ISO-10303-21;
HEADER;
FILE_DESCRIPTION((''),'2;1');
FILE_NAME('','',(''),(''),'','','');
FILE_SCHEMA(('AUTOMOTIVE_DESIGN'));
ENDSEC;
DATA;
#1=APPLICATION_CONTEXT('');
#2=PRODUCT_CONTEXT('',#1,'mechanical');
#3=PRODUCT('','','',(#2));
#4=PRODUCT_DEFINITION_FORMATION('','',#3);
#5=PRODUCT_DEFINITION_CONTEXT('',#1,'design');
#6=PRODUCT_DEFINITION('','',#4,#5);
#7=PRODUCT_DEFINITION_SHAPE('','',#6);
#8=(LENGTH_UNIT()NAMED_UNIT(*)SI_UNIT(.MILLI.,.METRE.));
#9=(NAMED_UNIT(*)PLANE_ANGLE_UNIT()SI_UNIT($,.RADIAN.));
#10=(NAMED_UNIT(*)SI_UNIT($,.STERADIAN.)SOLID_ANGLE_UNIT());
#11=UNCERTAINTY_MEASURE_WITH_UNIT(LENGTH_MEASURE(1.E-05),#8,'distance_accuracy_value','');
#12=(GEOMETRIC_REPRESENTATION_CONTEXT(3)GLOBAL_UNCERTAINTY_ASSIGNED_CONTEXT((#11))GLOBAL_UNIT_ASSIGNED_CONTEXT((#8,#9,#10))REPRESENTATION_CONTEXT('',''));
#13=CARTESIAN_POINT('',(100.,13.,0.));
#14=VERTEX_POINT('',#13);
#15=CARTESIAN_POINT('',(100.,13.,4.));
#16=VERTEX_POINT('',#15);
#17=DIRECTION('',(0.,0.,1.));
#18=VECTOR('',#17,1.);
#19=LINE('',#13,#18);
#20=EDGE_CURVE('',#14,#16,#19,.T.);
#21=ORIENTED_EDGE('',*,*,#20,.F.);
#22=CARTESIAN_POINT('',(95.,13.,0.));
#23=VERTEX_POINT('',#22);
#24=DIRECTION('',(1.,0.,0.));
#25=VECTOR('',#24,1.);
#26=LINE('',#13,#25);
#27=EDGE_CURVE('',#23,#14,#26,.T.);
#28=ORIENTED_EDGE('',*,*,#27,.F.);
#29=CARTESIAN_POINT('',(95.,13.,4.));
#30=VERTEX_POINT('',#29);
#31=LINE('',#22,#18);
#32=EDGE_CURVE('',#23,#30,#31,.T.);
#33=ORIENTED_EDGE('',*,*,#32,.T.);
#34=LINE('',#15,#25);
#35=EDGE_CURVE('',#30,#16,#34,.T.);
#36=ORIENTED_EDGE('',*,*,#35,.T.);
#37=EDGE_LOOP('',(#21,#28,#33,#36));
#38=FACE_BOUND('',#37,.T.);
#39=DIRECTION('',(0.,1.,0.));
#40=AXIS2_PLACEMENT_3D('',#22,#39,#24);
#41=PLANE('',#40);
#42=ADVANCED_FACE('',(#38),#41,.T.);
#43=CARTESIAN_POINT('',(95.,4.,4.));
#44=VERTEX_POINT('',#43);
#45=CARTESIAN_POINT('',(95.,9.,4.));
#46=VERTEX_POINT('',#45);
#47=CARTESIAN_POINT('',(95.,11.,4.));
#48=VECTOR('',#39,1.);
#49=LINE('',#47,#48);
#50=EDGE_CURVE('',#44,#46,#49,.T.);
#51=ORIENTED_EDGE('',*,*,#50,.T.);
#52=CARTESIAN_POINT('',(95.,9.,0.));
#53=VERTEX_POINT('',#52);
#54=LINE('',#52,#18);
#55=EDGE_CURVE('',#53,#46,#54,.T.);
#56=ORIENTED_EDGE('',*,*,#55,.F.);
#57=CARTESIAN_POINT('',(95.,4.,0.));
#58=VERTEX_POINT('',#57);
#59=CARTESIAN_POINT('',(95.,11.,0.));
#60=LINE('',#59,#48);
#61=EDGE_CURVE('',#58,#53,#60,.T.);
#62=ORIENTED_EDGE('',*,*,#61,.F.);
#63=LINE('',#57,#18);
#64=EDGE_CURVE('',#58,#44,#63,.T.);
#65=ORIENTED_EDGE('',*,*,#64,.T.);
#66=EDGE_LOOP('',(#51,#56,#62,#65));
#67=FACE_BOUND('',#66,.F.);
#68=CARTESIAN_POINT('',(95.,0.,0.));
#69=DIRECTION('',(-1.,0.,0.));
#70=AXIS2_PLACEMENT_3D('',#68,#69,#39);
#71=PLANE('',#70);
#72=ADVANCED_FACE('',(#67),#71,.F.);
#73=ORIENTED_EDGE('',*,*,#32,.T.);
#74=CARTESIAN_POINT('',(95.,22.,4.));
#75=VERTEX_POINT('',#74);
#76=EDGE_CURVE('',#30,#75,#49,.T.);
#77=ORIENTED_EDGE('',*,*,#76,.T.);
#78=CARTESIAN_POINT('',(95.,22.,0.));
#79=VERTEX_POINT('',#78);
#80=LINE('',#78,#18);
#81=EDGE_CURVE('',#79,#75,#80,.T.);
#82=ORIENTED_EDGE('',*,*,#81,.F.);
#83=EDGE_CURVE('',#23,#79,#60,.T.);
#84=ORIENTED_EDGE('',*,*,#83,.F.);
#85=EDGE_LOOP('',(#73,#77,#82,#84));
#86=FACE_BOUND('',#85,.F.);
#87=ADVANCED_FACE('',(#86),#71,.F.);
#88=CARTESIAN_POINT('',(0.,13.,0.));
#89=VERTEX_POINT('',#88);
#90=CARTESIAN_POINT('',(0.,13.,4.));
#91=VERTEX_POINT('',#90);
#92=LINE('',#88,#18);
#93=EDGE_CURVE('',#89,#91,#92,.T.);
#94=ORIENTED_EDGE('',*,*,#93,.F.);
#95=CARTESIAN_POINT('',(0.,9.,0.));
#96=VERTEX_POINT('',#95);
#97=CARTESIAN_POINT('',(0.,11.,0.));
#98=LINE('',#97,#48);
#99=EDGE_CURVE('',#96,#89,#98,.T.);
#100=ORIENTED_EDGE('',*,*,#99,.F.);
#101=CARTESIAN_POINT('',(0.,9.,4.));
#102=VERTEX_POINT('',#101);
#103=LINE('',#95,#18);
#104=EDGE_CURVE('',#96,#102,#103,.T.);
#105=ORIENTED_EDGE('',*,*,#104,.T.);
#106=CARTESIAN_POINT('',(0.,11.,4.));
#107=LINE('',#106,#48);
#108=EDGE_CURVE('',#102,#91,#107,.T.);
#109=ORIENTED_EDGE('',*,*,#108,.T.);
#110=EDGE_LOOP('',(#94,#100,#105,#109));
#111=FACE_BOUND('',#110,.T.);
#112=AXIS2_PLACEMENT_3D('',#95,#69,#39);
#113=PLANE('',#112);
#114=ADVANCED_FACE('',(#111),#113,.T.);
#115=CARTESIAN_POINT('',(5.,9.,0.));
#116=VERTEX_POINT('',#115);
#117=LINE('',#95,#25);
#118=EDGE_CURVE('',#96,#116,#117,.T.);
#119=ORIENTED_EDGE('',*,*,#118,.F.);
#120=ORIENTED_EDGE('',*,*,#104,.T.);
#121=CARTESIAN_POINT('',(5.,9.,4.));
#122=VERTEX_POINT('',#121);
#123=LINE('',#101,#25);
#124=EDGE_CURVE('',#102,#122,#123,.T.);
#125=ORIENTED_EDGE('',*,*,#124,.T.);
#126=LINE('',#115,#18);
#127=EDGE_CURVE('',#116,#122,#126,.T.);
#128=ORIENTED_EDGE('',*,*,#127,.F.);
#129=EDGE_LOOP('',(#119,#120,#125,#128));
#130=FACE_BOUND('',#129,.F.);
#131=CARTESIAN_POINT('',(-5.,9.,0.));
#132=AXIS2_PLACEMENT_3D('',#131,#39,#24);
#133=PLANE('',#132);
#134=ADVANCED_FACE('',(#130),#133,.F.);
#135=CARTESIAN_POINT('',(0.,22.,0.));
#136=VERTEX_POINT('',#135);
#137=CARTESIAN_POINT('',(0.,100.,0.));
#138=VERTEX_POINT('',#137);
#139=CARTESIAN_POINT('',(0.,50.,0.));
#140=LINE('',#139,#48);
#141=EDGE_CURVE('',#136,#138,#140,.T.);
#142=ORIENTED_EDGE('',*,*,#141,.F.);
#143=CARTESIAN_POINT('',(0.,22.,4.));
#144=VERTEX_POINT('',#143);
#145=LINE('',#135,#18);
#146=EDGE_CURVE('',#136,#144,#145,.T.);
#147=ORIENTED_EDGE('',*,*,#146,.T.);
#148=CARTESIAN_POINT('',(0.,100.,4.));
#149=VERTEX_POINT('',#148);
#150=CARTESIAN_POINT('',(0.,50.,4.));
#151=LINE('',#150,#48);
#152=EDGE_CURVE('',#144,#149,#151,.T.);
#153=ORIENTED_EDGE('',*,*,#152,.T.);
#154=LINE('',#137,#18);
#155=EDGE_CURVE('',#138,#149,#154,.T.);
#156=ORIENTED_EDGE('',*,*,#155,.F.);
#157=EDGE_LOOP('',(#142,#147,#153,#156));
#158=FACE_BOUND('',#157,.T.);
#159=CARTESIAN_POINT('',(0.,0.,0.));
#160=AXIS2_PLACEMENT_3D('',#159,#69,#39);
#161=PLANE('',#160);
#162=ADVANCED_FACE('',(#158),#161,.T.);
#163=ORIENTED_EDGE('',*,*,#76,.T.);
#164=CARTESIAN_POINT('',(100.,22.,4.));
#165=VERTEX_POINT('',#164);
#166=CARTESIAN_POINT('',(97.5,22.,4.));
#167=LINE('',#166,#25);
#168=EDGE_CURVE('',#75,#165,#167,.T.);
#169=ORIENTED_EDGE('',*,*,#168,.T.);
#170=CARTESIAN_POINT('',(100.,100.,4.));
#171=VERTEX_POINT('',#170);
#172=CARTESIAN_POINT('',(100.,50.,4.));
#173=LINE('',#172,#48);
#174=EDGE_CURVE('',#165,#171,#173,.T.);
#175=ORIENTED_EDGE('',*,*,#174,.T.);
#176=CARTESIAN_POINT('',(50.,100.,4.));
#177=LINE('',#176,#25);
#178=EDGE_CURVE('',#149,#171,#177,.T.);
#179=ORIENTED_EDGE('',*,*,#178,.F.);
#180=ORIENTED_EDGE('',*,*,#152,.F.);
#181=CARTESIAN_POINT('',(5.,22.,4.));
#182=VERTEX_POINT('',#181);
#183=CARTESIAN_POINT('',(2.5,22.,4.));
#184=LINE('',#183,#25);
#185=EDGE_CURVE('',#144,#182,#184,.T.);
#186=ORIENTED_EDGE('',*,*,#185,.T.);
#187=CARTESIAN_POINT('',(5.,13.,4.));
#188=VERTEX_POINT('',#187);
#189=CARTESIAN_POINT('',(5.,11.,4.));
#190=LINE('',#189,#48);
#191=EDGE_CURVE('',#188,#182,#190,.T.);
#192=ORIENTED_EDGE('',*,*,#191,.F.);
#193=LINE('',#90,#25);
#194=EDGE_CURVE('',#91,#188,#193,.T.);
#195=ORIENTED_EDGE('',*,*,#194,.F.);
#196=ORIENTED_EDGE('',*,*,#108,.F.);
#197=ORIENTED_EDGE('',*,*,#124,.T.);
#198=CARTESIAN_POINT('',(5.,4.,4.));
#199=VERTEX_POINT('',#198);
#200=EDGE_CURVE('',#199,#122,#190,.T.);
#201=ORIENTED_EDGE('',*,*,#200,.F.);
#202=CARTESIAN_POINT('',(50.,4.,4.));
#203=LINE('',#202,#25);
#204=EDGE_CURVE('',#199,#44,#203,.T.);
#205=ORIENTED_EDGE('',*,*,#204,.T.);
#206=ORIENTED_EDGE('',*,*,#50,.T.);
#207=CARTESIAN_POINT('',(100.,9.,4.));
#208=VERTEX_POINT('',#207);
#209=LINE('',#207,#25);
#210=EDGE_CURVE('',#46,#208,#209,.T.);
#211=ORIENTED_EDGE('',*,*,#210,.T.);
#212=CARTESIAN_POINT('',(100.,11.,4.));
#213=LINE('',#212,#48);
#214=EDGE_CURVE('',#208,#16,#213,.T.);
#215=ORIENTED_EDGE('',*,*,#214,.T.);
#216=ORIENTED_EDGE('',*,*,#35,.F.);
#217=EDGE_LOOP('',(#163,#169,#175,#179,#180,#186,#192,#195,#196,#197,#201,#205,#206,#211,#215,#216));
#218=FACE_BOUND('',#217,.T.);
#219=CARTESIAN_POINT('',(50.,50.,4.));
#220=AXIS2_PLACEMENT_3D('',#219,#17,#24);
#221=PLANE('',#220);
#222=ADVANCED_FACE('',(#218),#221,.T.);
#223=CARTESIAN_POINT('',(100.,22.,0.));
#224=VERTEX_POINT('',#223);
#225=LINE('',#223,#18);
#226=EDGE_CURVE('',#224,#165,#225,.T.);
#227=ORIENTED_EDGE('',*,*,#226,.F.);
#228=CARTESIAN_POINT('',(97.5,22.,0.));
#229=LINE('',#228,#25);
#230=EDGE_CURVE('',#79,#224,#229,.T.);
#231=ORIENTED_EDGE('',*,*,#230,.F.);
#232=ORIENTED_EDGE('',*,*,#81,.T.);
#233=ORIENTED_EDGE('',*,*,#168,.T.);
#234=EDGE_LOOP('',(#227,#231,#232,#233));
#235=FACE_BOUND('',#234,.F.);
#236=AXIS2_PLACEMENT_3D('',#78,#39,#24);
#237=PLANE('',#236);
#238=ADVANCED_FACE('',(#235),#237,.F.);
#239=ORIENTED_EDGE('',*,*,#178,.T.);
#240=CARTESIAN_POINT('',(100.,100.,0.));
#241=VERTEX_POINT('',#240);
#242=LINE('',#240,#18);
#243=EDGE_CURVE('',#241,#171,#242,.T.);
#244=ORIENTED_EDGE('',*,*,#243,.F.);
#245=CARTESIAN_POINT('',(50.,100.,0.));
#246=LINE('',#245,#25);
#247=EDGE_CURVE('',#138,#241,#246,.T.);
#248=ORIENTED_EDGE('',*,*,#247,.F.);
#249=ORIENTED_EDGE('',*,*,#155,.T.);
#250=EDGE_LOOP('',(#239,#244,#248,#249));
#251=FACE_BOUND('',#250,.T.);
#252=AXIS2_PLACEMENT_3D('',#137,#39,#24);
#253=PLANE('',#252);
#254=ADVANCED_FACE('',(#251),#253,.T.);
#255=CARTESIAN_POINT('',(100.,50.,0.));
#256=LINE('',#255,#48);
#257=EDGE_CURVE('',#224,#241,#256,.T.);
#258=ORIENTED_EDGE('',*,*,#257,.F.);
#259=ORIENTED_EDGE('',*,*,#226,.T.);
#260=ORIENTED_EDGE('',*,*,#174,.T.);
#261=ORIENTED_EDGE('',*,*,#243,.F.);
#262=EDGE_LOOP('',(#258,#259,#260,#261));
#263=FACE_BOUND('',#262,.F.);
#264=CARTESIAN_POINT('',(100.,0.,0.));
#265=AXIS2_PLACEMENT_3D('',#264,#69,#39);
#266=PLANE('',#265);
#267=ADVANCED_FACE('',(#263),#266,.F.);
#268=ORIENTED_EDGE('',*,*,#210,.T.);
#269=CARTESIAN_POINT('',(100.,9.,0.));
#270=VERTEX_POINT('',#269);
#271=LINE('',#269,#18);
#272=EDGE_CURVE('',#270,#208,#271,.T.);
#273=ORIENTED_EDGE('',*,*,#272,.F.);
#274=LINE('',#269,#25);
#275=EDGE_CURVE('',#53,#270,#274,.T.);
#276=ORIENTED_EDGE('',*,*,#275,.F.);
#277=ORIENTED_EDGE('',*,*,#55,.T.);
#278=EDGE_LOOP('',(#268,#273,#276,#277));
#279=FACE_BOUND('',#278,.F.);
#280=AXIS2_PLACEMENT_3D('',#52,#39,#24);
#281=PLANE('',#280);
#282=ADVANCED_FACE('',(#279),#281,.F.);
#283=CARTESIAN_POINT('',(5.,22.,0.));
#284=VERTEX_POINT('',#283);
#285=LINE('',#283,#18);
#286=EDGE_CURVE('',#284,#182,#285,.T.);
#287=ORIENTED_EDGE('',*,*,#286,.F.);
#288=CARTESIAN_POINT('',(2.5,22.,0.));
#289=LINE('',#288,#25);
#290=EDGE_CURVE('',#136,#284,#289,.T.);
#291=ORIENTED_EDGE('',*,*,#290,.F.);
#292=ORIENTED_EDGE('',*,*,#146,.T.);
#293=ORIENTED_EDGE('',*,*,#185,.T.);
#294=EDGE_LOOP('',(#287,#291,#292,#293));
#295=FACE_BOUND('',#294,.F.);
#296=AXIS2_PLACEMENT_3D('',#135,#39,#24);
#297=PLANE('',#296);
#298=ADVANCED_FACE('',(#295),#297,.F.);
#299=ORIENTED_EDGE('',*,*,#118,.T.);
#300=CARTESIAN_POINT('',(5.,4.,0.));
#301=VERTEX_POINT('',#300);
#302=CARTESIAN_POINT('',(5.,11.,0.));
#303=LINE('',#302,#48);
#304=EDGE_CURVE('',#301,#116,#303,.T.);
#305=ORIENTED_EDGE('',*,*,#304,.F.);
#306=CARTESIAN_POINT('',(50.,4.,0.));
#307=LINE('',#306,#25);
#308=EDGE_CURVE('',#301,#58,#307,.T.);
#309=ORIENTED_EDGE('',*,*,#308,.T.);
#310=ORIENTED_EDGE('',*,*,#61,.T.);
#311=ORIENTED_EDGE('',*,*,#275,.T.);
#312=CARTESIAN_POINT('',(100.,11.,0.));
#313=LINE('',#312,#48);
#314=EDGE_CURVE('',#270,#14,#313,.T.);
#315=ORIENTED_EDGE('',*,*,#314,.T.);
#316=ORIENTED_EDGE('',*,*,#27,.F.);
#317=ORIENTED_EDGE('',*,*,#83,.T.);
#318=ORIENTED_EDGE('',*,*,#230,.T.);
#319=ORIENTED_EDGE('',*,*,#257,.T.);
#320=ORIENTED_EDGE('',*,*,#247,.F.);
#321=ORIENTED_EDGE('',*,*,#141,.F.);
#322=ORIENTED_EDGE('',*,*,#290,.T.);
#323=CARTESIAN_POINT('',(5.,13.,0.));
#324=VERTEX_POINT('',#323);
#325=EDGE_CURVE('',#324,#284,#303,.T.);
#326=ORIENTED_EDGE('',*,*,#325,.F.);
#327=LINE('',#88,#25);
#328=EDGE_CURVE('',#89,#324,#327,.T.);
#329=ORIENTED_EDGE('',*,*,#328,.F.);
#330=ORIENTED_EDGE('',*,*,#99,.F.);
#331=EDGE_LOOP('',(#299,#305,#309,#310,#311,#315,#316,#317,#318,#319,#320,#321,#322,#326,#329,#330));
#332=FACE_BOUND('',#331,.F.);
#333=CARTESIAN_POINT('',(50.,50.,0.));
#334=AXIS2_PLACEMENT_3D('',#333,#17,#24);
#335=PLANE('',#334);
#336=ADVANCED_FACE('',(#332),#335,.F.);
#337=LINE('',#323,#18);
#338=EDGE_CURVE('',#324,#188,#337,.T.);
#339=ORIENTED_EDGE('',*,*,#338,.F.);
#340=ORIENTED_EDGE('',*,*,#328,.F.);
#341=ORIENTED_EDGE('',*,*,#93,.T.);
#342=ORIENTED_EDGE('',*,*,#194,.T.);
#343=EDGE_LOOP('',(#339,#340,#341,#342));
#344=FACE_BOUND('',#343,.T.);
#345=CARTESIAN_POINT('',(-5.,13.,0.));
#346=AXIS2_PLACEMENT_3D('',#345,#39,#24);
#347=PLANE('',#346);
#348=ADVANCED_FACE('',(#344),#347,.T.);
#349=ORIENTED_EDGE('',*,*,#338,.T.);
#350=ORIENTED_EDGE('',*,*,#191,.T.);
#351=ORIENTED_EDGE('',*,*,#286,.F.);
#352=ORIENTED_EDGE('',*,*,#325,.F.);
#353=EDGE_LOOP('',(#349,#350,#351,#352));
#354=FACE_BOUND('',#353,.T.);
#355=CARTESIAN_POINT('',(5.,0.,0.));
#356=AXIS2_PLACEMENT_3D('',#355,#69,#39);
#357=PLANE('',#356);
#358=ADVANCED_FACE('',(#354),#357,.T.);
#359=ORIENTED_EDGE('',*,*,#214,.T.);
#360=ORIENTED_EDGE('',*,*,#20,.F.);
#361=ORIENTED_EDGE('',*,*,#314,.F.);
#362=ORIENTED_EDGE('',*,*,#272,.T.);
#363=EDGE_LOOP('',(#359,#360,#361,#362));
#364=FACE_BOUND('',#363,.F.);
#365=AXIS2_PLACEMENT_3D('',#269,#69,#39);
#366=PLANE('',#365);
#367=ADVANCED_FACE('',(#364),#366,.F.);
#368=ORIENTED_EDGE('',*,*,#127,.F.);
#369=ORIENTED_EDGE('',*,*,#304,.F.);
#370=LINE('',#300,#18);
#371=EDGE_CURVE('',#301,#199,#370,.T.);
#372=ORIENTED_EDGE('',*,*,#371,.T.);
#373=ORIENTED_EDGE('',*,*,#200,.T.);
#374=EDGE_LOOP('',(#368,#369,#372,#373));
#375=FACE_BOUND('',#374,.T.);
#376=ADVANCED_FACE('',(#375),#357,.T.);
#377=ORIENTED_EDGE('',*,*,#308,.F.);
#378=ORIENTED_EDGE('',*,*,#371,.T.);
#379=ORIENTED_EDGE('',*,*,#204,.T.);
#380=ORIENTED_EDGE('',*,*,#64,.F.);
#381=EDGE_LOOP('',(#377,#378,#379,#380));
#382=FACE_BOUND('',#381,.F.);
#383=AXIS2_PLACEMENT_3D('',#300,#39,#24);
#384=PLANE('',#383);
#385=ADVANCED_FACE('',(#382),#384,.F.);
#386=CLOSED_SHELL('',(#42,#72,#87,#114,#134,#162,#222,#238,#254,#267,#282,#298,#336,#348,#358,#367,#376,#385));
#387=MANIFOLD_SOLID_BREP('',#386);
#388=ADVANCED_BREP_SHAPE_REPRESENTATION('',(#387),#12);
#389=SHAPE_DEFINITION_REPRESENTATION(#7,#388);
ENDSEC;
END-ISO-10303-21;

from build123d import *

# Parameters (mm, degrees)
F0_W      = 100
F0_H      = 100
F1_DEPTH  = 4
F2_W      = 5
F2_H      = 22
F3_DEPTH  = 4
F4_W      = 10
F4_H      = 4
F5_DEPTH  = 4
F6_W      = 5
F6_H      = 4
F7_DEPTH  = 4
F8_W      = 5
F8_H      = 4
F9_DEPTH  = 4
F10_W     = 90
F10_H     = 4
F11_DEPTH = 4


with BuildPart() as f1:
    # F0 (on Top) → F1 (new body)
    with BuildSketch(Plane.XY):
        with Locations((50, 50)):
            Rectangle(F0_W, F0_H)
    extrude(amount=F1_DEPTH)

    # F2 (on Top) → F3 (cut)
    with BuildSketch(Plane.XY):
        with Locations((2.5, 11)):
            Rectangle(F2_W, F2_H)
        with Locations((97.5, 11)):
            Rectangle(F2_W, F2_H)
    extrude(amount=F3_DEPTH, mode=Mode.SUBTRACT)

    # F4 (on Top) → F5 (join)
    with BuildSketch(Plane.XY):
        with Locations((0, 11)):
            Rectangle(F4_W, F4_H)
        with Locations((100, 11)):
            Rectangle(F4_W, F4_H)
    extrude(amount=F5_DEPTH)

    # F6 (on Top) → F7 (cut)
    with BuildSketch(Plane.XY):
        with Locations((-2.5, 11)):
            Rectangle(F6_W, F6_H)
    extrude(amount=F7_DEPTH, mode=Mode.SUBTRACT)

    # F8 (on Top) → F9 (cut)
    with BuildSketch(Plane.XY):
        with Locations((102.5, 11)):
            Rectangle(F8_W, F8_H)
    extrude(amount=F9_DEPTH, mode=Mode.SUBTRACT)

    # F10 (on Top) → F11 (cut)
    with BuildSketch(Plane.XY):
        with Locations((50, 2)):
            Rectangle(F10_W, F10_H)
    extrude(amount=F11_DEPTH, mode=Mode.SUBTRACT)


solid = f1.part
